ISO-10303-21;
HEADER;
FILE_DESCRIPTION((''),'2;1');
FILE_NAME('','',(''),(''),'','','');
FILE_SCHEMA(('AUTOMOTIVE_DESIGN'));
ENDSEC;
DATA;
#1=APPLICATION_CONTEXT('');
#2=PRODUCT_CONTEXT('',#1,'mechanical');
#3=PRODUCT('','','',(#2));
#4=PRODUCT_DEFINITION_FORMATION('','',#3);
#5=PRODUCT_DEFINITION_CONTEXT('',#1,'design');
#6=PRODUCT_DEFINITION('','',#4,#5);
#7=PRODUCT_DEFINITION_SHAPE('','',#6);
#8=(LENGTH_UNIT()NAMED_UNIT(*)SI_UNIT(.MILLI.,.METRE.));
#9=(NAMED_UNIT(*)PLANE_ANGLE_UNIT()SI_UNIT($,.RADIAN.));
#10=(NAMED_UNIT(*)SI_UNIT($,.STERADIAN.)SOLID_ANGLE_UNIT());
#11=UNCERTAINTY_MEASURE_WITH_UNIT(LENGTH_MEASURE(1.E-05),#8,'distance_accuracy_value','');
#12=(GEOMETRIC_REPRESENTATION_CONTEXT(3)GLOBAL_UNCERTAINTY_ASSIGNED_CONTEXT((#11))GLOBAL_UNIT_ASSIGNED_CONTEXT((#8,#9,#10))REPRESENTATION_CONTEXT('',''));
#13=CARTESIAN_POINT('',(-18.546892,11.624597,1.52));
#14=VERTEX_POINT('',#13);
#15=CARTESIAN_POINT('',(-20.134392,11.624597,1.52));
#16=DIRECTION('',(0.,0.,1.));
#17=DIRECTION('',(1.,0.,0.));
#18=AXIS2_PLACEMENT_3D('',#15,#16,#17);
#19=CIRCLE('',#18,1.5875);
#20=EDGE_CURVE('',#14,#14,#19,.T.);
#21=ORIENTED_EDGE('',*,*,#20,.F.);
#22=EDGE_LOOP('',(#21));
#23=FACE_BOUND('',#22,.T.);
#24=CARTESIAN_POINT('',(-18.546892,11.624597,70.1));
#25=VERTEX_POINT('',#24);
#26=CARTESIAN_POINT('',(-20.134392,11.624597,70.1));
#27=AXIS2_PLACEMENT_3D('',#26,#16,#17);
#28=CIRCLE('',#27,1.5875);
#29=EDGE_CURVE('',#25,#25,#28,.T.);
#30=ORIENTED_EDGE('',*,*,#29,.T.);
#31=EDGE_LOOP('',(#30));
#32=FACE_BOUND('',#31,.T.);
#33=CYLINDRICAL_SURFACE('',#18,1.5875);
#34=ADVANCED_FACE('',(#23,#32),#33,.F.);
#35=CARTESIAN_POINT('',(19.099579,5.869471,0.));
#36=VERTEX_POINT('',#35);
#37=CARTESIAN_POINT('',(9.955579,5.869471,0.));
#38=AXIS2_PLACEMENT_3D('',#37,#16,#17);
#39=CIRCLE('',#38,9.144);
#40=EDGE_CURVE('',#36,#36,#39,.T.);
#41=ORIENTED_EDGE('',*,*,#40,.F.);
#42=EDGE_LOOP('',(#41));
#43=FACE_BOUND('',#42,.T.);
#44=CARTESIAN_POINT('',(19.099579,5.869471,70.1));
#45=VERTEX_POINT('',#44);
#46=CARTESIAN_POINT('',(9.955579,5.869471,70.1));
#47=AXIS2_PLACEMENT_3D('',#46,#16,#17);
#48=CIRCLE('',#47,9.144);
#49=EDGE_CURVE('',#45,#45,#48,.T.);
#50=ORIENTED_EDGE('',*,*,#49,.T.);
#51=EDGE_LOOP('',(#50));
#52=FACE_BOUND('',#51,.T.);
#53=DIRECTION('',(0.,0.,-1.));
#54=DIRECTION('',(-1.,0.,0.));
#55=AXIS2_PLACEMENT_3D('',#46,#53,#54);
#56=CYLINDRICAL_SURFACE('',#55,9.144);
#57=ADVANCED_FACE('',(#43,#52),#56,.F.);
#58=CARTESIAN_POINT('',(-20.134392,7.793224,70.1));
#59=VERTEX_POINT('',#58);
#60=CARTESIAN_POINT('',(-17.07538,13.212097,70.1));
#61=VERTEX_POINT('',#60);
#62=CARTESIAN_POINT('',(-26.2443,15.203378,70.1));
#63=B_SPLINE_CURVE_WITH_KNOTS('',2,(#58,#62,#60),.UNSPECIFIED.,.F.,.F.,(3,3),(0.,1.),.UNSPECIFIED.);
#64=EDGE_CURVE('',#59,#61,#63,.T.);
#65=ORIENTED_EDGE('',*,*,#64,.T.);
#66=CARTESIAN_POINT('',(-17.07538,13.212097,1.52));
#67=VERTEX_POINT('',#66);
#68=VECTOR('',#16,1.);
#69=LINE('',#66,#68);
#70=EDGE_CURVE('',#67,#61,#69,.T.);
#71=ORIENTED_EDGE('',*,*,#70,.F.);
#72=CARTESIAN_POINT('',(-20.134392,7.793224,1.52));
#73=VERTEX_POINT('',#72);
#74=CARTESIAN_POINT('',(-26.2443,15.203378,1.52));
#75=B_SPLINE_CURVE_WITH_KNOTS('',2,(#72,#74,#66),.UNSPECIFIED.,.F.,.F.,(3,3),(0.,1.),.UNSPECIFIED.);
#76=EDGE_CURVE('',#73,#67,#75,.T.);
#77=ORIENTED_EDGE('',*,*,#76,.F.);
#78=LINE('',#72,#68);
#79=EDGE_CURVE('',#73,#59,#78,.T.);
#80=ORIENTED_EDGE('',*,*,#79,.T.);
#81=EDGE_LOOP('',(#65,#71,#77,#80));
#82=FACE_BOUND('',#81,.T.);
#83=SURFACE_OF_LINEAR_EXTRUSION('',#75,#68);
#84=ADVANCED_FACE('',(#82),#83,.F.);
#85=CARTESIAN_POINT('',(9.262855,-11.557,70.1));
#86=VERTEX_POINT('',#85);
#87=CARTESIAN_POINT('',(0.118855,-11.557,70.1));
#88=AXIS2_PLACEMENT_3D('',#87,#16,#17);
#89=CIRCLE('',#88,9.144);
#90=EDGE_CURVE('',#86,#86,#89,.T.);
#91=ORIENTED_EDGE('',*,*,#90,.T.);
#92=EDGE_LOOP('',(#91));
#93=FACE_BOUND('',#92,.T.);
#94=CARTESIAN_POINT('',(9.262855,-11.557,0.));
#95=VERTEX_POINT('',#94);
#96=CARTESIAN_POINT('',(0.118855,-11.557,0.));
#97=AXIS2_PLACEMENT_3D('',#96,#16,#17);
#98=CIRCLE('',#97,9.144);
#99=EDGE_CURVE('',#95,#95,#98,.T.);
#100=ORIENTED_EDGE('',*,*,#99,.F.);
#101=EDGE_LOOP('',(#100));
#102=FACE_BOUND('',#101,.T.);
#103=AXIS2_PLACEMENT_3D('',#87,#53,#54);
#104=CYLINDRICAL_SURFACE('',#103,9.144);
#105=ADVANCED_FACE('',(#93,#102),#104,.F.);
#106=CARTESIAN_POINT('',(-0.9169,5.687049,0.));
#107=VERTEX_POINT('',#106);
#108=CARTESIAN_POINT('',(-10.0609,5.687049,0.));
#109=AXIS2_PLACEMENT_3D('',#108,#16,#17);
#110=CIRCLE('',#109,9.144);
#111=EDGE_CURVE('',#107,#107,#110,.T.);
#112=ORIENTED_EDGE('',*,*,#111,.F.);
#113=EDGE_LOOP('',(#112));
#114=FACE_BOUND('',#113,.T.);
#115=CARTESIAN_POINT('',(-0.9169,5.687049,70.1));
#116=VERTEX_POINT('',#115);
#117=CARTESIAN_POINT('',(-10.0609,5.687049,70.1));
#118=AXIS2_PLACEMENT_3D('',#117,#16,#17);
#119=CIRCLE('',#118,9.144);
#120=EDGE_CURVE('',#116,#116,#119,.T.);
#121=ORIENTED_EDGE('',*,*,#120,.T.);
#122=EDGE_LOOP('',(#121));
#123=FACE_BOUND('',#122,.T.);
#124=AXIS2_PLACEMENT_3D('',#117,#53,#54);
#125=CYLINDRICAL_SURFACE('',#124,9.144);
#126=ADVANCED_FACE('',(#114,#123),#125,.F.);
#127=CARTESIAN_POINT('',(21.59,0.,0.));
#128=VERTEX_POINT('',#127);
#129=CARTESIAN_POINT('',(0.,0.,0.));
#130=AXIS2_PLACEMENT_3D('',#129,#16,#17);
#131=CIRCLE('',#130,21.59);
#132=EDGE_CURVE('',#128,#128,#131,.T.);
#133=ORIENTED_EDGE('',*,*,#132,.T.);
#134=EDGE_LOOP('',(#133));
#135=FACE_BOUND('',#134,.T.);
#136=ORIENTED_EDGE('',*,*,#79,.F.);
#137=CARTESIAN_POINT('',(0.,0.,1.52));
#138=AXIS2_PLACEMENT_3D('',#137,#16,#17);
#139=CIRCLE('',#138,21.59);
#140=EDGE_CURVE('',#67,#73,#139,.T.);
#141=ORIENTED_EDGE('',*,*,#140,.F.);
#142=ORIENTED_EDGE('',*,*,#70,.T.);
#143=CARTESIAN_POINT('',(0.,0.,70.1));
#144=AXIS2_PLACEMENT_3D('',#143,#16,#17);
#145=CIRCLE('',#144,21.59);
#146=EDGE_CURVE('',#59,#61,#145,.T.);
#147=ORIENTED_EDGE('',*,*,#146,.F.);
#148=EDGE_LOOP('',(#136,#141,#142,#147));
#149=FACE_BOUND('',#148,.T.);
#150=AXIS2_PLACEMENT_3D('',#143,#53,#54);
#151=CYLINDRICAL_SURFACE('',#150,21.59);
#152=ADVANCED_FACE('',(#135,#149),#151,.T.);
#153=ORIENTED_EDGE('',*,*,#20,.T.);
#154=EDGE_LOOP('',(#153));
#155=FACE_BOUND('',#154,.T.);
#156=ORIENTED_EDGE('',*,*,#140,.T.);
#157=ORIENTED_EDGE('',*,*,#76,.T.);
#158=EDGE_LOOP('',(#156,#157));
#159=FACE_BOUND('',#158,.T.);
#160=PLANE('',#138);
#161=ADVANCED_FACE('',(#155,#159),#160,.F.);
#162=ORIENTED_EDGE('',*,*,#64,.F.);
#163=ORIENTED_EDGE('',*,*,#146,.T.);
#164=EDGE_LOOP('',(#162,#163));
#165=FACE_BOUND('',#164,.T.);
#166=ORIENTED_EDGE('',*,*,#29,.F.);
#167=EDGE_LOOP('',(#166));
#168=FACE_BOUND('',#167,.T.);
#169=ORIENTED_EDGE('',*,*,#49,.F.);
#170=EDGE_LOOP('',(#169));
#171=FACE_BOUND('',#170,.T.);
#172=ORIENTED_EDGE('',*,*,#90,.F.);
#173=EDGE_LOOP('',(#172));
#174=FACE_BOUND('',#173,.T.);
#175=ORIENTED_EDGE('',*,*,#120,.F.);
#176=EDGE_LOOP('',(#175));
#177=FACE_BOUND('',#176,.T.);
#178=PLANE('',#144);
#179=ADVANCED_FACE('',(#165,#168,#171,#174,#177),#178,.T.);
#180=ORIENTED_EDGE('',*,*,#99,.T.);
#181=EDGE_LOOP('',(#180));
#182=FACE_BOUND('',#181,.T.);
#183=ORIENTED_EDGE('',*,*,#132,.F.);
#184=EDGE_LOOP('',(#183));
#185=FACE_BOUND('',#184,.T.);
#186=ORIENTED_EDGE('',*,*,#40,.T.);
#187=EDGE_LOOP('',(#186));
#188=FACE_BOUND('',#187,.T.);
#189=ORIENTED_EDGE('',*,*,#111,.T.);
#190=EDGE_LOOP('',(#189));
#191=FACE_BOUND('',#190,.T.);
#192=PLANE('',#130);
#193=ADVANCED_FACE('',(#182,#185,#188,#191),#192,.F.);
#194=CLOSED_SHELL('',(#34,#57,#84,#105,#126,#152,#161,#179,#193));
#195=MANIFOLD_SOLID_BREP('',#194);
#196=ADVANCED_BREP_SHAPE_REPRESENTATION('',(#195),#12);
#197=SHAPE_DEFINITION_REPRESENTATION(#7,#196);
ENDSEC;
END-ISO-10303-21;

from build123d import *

# Parameters (mm, degrees)
SKETCH1_R           = 21.59
SKETCH1_R_2         = 9.144
BOSS_EXTRUDE1_DEPTH = 70.1
SKETCH2_R           = 1.5875
BOSS_EXTRUDE3_DEPTH = 68.58


with BuildPart() as part:
    # Sketch1 → Boss-Extrude1 (new body)
    with BuildSketch(Plane.XY):
        Circle(SKETCH1_R)
        with Locations((0.118855304, -11.557)):
            Circle(SKETCH1_R_2, mode=Mode.SUBTRACT)
        with Locations((9.955579479, 5.869470694)):
            Circle(SKETCH1_R_2, mode=Mode.SUBTRACT)
        with Locations((-10.060900468, 5.687049391)):
            Circle(SKETCH1_R_2, mode=Mode.SUBTRACT)
    extrude(amount=BOSS_EXTRUDE1_DEPTH)

    # Sketch2 → Boss-Extrude3 (add)
    with BuildSketch(Plane.XY.offset(70.1)):
        with BuildLine():
            ThreePointArc((-20.134392286, 7.793224446), (-18.801139076, 10.613447577), (-17.075379878, 13.212096806))
            add(Edge.make_bspline(
                [(-20.134392286, 7.793224446), (-26.24429958, 15.203378156), (-17.075379878, 13.212096806)],
                knots=[0, 0, 0, 1, 1, 1], degree=2))
        make_face()
        with Locations((-20.134392286, 11.624596806)):
            Circle(SKETCH2_R, mode=Mode.SUBTRACT)
    extrude(amount=-BOSS_EXTRUDE3_DEPTH)


solid = part.part
